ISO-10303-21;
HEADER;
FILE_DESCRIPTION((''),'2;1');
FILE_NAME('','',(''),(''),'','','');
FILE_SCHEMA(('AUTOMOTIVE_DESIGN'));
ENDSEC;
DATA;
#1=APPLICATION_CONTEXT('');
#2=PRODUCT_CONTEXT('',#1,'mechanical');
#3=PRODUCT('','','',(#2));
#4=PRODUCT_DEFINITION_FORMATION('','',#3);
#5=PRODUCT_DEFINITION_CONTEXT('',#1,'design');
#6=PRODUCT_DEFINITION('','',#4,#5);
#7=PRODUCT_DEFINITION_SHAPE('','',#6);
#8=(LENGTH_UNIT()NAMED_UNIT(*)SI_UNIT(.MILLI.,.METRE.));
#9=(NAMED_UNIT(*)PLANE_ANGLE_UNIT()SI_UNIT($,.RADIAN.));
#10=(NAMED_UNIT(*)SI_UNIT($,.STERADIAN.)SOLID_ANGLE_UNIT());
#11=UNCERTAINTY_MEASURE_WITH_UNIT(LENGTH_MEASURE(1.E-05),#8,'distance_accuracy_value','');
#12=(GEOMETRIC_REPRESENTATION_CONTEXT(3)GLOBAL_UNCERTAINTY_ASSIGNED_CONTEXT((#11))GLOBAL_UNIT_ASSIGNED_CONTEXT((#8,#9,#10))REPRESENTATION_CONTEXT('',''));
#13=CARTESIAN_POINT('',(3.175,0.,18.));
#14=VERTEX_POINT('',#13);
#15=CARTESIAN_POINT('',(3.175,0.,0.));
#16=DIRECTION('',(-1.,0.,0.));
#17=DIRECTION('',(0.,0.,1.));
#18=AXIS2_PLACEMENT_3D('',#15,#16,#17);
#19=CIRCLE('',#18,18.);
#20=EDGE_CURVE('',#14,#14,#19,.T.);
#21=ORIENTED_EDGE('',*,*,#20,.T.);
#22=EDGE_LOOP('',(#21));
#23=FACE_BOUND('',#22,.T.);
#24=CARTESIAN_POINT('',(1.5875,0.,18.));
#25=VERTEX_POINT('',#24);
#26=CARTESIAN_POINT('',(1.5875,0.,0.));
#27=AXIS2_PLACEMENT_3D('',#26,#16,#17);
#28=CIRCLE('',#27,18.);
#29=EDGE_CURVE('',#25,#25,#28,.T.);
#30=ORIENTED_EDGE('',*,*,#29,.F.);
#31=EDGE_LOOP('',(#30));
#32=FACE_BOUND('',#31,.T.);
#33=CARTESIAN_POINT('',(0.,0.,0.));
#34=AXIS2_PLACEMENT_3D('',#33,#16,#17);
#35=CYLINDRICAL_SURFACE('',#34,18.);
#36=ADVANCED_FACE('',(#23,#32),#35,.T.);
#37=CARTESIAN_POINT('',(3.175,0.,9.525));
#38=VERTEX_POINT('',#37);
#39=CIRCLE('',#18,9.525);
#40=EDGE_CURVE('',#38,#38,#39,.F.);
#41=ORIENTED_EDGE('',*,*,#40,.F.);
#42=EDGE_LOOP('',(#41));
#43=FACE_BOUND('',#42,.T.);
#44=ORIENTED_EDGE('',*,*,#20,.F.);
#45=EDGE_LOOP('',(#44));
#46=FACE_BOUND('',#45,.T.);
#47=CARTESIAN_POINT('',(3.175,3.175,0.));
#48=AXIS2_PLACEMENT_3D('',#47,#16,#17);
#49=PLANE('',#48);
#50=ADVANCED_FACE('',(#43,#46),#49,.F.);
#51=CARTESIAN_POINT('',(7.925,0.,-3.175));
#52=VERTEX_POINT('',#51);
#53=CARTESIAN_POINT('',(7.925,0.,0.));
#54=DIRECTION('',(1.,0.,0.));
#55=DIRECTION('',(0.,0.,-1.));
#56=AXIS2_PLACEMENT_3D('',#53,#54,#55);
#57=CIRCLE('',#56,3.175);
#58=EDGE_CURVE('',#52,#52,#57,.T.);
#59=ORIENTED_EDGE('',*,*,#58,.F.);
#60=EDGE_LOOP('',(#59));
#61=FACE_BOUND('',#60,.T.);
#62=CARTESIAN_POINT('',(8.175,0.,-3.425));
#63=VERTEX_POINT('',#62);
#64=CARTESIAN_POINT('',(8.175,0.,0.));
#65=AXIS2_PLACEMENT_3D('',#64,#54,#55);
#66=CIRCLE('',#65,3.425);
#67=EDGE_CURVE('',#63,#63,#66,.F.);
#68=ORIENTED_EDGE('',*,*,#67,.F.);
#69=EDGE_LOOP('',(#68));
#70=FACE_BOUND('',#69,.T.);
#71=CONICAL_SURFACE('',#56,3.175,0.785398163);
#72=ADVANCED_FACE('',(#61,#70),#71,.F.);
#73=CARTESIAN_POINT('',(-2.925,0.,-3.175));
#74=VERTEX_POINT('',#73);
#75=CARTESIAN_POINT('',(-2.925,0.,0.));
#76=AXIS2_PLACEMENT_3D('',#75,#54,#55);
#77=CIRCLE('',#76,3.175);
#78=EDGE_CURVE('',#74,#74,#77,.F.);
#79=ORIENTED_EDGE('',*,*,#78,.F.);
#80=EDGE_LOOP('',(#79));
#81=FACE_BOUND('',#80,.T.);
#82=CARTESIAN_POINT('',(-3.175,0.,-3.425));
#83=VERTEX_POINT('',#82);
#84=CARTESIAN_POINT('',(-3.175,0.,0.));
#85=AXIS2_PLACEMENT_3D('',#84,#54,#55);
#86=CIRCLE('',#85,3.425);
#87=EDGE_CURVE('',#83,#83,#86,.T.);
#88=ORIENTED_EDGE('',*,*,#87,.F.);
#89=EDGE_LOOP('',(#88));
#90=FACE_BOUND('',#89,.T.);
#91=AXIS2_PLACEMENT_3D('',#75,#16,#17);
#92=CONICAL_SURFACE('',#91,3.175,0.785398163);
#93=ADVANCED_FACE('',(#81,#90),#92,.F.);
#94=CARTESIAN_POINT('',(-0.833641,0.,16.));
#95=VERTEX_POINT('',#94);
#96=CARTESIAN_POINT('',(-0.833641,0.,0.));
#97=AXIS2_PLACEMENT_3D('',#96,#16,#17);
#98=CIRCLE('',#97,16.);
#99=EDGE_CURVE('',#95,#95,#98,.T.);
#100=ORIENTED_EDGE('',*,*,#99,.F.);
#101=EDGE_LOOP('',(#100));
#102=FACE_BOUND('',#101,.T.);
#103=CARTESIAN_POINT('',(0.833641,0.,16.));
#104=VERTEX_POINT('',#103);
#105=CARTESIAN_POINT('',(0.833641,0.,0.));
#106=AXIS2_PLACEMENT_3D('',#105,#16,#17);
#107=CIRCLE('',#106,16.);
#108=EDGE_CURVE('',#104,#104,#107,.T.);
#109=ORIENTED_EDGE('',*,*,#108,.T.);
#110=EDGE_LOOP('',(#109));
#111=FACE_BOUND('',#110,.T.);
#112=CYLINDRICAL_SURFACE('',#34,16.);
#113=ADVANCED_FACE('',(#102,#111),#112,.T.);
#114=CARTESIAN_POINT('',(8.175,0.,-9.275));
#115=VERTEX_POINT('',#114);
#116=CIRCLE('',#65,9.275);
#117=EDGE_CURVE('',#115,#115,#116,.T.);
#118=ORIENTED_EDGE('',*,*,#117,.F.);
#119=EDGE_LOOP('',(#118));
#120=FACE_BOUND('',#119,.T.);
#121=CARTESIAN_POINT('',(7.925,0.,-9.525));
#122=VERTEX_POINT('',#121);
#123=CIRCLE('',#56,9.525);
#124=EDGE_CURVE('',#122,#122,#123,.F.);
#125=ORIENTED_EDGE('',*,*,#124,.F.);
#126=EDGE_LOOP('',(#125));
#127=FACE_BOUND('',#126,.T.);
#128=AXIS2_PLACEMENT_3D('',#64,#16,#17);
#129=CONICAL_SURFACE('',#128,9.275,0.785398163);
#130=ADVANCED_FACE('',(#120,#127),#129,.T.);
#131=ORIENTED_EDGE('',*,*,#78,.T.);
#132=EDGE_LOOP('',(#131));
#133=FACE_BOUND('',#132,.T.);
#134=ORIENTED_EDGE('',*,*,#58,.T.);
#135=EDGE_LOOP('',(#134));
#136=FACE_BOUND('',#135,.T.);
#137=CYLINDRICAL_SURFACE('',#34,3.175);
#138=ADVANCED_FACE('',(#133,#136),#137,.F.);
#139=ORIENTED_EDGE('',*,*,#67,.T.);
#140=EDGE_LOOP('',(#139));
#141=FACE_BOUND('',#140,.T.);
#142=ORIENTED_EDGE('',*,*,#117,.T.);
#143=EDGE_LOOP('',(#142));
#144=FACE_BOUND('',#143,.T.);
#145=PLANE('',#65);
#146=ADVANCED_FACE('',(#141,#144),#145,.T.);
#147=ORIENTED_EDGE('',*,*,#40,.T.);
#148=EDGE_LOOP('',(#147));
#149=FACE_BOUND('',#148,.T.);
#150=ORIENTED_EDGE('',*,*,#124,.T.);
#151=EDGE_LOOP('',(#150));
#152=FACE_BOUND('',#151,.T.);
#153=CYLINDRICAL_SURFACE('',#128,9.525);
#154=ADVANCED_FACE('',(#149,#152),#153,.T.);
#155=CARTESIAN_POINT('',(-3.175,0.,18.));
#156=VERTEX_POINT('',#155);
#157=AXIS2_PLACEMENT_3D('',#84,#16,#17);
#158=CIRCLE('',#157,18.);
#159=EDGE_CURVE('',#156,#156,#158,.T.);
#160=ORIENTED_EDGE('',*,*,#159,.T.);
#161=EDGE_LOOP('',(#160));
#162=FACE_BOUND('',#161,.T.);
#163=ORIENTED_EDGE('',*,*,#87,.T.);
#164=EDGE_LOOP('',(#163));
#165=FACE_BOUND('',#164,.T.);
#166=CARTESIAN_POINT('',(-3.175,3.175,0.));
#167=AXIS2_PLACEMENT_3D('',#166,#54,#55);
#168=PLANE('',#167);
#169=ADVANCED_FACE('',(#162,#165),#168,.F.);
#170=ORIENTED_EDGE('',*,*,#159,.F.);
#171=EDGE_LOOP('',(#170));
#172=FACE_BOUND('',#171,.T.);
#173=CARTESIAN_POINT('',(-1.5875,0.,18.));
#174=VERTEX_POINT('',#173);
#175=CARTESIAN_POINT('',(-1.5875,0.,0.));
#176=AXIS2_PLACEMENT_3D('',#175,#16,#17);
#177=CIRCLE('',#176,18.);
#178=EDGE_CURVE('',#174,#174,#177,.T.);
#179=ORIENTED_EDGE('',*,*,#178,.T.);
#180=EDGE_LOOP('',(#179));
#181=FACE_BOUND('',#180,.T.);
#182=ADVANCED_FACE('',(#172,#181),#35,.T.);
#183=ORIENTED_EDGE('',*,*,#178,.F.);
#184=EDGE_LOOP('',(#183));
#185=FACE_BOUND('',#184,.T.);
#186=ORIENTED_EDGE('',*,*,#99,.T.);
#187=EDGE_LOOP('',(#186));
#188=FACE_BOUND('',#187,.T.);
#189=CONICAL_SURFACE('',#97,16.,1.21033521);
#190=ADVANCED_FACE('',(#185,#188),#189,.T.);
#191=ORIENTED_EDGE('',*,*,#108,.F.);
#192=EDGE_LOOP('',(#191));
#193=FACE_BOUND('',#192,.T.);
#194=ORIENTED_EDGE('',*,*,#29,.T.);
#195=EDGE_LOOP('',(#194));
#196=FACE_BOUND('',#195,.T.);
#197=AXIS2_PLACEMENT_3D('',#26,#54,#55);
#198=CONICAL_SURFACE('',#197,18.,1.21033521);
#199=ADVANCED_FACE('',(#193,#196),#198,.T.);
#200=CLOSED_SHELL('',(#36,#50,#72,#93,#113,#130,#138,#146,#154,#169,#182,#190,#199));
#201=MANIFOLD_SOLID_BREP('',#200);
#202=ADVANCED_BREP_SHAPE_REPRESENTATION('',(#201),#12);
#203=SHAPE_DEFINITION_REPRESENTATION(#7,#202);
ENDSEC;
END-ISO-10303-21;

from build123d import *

# Parameters (mm, degrees)
SKETCH3_R           = 9.525
BOSS_EXTRUDE1_DEPTH = 5
SKETCH4_R           = 3.175
CUT_EXTRUDE1_DEPTH  = 28.871535659
CHAMFER1_SIZE       = 0.25


with BuildPart() as part:
    # Sketch2 → Revolve1 (revolve)
    with BuildSketch(Plane.XY, mode=Mode.PRIVATE) as revolve1_sk:
        Polygon((-3.175, 3.175), (3.175, 3.175), (3.175, 18), (1.5875, 18), (0.833641219, 16), (-0.833641219, 16), (-1.5875, 18), (-3.175, 18), align=None)
    revolve(revolve1_sk.sketch.rotate(Axis((0, 0, 0), (1, 0, 0)), 90), axis=Axis((0, 0, 0), (1, 0, 0)))

    # Sketch3 → Boss-Extrude1 (add)
    with BuildSketch(Plane(origin=(3.175, 0, 0), x_dir=(0, 0, -1), z_dir=(1, 0, 0))):
        with Locations(Location((0, 0, 0), (0, 0, 180))):
            Circle(SKETCH3_R)
    extrude(amount=BOSS_EXTRUDE1_DEPTH)

    # Sketch4 → Cut-Extrude1 (cut, through all)
    with BuildSketch(Plane(origin=(8.175, 0, 0), x_dir=(0, 0, -1), z_dir=(1, 0, 0))):
        with Locations(Location((0, 0, 0), (0, 0, 180))):
            Circle(SKETCH4_R)
    extrude(amount=-CUT_EXTRUDE1_DEPTH, mode=Mode.SUBTRACT)

    # Chamfer1
    chamfer1_edges = [part.edges().sort_by_distance(p)[0] for p in [
        (8.175, 0, -9.525),
        (8.175, 0, -3.175),
        (-3.175, 0, -3.175),
    ]]
    chamfer(chamfer1_edges, length=CHAMFER1_SIZE)


solid = part.part
